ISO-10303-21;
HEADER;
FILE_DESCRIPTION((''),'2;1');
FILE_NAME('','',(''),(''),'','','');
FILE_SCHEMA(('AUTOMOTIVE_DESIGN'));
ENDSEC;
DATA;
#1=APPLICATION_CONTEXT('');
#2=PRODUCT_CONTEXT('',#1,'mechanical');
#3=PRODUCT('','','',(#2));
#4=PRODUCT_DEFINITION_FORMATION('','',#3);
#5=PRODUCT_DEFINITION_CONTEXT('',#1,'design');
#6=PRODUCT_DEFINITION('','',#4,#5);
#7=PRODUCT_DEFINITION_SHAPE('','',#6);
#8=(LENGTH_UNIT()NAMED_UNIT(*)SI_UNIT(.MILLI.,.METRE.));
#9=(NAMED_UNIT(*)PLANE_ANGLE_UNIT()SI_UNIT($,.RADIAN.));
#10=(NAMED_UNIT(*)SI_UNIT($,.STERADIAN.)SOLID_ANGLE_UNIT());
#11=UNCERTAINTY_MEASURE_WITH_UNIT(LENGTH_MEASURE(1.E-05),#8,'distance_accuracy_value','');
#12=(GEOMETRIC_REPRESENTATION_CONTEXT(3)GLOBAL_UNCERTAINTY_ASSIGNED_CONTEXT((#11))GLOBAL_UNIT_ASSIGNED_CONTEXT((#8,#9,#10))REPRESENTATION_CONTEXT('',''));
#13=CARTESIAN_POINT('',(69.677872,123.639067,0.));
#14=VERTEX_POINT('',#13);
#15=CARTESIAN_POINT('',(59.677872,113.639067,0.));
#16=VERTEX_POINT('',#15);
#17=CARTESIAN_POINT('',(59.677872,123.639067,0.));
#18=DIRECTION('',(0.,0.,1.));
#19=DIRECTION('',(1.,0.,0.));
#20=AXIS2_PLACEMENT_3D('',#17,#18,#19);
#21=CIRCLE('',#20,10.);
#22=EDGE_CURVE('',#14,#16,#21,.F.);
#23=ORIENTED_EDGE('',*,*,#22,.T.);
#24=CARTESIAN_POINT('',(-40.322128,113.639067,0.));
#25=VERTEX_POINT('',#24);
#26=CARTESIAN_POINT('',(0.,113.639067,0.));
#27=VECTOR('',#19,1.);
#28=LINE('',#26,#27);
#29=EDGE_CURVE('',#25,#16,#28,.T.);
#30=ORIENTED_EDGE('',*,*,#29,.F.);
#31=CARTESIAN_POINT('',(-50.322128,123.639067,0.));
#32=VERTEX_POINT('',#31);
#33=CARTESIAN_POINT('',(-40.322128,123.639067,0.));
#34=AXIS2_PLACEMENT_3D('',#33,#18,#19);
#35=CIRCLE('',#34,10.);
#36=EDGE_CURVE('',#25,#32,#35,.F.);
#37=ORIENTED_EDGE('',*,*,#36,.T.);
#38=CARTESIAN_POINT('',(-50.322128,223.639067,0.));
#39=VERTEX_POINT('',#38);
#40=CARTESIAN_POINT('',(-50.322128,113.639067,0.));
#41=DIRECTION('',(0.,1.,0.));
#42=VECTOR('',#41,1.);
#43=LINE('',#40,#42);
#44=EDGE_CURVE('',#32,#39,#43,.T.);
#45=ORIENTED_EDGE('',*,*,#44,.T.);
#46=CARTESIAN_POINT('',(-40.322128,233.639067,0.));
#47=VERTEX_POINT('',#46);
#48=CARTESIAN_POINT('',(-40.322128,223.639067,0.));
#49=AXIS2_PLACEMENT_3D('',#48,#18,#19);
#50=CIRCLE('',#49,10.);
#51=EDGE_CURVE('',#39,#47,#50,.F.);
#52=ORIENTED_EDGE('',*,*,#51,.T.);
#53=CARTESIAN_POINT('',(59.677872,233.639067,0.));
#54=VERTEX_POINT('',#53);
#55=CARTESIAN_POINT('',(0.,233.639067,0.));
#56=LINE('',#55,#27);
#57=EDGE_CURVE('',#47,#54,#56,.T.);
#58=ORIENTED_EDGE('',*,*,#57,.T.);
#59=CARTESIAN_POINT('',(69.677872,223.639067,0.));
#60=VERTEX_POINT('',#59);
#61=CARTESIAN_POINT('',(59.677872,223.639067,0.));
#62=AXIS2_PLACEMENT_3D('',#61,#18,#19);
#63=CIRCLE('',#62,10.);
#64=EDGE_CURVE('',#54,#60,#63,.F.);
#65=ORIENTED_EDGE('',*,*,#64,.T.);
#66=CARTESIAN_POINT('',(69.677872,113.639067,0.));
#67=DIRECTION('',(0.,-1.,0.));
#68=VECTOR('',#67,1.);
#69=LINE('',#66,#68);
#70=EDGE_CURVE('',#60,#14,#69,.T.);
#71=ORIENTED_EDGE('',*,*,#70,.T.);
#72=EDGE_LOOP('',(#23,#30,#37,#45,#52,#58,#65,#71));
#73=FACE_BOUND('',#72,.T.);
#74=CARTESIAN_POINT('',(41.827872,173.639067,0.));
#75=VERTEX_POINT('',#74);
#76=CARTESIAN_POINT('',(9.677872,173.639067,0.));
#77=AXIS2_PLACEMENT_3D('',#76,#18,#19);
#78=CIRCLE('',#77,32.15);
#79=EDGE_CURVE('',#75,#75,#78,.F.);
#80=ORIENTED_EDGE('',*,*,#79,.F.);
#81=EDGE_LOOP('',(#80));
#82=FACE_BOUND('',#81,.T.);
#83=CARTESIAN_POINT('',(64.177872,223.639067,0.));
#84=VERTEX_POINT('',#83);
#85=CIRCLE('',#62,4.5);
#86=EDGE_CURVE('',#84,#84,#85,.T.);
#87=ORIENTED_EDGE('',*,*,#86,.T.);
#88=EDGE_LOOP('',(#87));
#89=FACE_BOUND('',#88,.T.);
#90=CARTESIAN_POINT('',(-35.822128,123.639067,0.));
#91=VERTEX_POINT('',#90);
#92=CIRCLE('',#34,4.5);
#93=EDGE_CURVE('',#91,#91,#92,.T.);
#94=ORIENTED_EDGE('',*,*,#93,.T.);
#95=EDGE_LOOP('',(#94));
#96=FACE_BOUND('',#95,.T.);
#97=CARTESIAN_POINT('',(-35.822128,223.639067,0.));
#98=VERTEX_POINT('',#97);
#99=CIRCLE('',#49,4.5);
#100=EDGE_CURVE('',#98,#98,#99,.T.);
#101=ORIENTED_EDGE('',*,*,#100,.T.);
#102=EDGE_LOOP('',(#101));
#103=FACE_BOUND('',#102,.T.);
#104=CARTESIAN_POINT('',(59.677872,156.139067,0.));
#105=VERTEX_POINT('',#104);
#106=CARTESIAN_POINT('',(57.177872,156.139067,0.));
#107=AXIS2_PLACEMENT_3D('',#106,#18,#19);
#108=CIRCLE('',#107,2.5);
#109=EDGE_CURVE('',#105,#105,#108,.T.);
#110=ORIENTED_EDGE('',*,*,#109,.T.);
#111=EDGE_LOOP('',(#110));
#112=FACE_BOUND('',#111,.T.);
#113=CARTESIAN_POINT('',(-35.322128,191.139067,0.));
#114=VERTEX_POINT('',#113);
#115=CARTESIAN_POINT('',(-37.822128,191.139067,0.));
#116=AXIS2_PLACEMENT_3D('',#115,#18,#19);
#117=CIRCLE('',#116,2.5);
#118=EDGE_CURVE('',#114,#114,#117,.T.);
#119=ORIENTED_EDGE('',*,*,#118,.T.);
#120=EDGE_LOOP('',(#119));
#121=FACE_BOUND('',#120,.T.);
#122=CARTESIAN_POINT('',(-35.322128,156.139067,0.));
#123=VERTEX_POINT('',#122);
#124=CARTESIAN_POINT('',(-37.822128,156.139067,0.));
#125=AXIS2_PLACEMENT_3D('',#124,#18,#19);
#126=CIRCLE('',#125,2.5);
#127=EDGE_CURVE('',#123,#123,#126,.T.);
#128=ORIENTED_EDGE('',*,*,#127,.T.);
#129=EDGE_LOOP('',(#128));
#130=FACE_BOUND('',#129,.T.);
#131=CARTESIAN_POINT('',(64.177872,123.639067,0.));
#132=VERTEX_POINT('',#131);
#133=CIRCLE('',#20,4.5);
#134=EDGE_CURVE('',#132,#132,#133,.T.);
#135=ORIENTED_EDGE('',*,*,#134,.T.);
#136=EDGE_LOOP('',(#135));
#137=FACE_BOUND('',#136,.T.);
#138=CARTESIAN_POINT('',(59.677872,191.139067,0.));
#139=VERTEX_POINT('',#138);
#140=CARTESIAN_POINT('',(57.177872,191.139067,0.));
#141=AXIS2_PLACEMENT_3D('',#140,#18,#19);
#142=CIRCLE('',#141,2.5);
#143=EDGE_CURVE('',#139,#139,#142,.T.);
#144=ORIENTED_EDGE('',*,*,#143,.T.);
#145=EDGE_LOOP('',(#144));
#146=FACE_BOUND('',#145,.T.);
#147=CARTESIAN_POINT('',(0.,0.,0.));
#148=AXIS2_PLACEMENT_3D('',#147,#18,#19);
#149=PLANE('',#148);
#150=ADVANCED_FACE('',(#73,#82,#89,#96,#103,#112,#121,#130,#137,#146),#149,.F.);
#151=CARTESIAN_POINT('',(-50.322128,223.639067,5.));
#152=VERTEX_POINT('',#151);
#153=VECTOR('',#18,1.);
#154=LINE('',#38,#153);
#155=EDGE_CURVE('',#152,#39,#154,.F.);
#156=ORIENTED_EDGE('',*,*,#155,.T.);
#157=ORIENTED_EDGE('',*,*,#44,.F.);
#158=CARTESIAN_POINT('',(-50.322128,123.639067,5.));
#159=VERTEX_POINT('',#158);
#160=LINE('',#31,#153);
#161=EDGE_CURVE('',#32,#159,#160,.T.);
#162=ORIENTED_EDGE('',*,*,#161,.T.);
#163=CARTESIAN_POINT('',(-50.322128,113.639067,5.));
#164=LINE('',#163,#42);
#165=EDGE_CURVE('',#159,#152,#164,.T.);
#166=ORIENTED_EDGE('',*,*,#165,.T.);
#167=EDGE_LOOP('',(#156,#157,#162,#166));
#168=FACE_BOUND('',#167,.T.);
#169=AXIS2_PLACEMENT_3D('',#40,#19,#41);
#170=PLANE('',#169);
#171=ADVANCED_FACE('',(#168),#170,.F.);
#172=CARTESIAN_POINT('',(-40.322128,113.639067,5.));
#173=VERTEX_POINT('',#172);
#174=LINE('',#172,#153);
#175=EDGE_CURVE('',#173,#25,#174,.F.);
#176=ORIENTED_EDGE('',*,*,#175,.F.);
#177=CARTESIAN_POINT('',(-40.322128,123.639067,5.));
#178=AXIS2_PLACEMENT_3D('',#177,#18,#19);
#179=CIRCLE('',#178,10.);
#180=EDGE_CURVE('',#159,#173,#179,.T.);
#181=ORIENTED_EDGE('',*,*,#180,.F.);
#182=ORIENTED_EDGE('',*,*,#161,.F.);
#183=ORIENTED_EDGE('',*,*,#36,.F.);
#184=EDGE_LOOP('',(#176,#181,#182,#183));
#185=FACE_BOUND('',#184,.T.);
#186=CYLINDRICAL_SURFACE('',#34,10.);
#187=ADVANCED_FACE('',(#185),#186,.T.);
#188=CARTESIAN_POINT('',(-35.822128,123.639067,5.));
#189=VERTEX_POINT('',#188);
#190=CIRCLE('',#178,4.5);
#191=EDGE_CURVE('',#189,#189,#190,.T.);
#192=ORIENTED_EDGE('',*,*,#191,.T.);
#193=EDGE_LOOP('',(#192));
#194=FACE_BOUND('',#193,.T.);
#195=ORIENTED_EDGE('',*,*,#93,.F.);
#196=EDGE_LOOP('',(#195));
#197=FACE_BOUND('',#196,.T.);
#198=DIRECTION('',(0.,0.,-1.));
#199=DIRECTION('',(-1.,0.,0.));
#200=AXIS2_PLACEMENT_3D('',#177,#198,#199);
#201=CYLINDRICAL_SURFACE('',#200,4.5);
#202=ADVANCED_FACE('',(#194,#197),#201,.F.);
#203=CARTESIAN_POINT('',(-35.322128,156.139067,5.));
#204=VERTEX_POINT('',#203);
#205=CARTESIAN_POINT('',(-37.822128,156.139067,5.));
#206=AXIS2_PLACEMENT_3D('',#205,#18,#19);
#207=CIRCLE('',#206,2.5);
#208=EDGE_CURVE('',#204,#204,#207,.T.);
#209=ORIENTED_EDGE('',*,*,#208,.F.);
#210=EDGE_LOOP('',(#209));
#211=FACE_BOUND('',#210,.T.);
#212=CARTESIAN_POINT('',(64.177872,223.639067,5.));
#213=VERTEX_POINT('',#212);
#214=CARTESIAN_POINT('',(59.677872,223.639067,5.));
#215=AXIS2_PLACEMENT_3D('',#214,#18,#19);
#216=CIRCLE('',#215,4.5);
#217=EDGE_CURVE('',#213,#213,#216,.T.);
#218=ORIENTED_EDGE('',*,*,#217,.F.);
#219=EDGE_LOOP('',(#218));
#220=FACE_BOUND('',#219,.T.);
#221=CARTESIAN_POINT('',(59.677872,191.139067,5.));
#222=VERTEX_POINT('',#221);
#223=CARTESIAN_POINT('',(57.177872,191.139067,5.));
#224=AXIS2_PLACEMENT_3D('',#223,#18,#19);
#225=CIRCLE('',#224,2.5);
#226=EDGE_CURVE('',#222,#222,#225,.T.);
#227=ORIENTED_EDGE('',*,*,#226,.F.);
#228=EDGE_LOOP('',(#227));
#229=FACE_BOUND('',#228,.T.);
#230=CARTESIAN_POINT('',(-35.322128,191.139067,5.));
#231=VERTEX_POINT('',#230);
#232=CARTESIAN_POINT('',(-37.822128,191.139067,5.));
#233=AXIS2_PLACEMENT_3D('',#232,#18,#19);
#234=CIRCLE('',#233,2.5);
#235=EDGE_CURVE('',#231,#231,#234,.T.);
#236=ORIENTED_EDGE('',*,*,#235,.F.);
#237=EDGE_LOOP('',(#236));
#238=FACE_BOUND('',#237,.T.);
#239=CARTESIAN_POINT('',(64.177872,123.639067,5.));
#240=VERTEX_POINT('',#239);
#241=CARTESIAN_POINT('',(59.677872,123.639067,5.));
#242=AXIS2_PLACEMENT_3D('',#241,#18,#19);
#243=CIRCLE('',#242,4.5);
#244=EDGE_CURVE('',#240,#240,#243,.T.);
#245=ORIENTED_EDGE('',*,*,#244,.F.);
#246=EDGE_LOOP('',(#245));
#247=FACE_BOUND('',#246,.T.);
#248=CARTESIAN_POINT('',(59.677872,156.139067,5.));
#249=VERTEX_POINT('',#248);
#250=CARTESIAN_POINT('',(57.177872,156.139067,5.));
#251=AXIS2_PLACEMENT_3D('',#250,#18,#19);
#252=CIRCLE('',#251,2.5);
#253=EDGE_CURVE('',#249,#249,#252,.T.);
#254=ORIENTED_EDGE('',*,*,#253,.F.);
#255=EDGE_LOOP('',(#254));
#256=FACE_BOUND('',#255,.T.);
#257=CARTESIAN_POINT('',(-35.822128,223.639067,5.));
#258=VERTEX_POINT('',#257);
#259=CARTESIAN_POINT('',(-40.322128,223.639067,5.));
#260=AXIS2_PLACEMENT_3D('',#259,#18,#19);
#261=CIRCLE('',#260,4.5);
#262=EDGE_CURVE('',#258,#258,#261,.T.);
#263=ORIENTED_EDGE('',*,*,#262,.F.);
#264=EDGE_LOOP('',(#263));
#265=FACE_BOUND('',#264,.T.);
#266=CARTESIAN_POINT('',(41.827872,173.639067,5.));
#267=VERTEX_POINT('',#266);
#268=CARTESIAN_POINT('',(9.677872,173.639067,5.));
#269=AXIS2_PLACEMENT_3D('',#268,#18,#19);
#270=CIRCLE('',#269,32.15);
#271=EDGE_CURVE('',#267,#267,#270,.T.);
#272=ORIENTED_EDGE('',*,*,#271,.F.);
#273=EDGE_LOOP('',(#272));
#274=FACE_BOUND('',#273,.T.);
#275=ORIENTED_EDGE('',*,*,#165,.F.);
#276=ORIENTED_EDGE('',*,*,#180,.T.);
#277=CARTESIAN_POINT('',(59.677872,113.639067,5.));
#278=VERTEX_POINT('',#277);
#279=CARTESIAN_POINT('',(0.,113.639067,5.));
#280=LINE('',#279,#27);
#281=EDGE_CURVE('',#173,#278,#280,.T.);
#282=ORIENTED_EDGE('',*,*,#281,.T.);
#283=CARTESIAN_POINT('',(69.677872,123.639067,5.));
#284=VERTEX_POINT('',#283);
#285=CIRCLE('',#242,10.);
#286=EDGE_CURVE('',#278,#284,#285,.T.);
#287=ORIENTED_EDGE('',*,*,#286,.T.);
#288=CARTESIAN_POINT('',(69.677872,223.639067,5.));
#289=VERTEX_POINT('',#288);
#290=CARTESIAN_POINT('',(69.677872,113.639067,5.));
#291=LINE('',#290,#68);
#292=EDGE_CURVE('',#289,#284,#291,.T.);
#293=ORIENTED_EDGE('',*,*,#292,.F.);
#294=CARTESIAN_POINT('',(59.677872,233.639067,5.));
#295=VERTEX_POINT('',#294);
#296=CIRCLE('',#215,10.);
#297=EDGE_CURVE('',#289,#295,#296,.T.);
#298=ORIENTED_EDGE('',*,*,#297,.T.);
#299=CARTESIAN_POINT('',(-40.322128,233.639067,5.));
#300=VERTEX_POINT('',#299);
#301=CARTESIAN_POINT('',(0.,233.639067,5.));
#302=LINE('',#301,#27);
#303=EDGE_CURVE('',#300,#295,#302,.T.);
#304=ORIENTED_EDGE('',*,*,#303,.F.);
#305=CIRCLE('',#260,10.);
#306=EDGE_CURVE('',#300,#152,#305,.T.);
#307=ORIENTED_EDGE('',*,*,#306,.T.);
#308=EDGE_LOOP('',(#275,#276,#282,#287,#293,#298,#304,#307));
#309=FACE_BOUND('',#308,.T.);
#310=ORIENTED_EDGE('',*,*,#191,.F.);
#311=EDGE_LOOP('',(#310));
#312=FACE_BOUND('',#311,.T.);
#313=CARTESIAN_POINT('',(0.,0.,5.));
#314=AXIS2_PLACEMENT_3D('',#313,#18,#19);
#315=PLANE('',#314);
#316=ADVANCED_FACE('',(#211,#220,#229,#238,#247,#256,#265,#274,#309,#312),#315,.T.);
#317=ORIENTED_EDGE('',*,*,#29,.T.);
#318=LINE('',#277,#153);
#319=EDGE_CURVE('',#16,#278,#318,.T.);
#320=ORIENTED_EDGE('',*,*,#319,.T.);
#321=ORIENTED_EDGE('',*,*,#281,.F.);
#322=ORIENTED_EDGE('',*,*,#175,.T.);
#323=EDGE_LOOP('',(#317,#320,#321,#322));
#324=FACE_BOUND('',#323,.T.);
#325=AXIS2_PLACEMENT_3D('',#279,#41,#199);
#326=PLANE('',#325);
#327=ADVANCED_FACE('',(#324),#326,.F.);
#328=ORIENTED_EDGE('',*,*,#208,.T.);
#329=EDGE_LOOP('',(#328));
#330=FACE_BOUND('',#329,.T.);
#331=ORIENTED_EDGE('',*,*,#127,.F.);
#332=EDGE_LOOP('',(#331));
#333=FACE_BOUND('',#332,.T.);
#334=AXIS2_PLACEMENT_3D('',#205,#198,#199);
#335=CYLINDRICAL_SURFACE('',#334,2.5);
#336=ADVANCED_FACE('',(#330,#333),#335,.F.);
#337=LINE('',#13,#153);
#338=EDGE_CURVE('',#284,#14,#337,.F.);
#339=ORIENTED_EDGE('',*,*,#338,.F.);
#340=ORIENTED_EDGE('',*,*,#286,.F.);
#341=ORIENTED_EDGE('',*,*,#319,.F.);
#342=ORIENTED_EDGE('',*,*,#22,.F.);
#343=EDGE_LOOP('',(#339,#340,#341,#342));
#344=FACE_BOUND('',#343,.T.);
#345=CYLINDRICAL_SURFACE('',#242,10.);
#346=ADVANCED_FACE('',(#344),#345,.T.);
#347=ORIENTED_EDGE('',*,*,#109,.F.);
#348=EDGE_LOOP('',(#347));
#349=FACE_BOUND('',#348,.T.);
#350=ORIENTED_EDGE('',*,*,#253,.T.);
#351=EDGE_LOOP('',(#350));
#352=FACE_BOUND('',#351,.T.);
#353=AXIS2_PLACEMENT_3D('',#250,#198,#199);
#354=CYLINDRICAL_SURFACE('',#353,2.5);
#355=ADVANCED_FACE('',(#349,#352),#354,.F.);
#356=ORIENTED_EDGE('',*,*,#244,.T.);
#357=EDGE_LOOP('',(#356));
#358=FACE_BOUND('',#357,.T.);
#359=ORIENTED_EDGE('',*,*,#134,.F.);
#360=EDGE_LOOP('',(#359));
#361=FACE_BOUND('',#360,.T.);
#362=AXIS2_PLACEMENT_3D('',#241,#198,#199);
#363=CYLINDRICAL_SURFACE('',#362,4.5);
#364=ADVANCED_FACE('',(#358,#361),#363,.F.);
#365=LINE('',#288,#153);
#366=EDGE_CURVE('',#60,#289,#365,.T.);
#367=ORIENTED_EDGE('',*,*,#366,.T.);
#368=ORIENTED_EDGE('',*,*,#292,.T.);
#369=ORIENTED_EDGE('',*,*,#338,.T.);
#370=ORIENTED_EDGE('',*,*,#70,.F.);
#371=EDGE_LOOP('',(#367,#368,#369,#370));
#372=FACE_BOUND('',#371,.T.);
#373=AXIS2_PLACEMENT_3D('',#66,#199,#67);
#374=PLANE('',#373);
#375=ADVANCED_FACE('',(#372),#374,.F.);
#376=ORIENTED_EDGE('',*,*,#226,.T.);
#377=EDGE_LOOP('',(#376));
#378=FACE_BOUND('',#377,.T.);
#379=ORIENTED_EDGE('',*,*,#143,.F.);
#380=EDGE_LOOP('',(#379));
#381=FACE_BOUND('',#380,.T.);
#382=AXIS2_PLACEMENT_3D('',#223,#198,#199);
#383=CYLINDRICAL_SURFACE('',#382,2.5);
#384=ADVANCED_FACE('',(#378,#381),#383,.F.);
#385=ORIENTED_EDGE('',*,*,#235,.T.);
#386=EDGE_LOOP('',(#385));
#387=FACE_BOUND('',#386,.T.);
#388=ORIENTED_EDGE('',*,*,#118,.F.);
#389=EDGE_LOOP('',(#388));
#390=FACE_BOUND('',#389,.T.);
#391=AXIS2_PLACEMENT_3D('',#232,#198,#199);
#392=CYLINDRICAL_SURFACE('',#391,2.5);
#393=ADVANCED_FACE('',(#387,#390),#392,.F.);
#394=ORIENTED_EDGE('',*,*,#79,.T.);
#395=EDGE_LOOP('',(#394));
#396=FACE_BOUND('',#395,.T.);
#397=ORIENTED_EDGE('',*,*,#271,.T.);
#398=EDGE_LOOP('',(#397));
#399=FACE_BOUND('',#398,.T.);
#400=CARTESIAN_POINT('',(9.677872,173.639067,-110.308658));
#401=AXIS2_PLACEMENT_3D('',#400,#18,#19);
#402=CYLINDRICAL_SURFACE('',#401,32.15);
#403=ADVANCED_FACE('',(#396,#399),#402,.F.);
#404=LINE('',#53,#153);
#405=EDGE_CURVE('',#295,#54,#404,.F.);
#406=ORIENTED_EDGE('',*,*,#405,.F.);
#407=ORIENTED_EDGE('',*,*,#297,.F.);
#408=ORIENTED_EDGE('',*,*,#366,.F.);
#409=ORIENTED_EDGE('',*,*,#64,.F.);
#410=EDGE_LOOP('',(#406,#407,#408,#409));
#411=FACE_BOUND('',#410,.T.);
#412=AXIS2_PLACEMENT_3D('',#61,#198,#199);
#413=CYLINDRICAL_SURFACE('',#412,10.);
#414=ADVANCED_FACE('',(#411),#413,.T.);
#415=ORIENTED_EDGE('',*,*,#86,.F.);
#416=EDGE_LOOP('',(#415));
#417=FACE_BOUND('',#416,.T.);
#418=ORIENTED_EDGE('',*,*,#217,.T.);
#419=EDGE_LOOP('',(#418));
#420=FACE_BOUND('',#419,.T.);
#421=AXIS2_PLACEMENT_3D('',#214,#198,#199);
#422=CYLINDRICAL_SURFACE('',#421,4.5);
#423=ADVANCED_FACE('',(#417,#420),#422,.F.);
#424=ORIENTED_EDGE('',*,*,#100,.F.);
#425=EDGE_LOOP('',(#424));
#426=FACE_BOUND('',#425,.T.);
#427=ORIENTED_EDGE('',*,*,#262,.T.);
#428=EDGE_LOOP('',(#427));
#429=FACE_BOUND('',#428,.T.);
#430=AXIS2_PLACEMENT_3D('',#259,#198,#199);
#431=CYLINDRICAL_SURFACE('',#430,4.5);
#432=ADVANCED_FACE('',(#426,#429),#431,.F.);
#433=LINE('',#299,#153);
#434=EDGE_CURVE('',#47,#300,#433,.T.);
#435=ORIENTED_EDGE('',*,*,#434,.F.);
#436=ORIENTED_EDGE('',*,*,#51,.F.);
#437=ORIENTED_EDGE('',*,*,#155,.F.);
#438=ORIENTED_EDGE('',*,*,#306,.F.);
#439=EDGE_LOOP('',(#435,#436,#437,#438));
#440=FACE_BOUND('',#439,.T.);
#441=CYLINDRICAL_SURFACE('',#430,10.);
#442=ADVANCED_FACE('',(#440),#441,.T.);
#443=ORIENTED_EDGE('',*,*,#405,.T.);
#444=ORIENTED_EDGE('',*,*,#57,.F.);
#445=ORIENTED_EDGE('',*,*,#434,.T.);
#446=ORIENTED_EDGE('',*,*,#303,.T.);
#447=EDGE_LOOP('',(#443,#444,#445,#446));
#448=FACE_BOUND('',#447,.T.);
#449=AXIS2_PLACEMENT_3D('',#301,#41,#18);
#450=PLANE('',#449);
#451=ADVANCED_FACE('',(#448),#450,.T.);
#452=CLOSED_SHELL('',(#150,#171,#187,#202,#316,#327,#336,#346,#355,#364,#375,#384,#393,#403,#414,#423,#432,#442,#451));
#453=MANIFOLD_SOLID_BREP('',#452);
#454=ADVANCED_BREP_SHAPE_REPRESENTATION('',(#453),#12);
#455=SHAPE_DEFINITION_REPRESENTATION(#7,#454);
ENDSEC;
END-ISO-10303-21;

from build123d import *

# Parameters (mm, degrees)
SKETCH2_R           = 4.5
SKETCH2_R_2         = 2.5
SKETCH2_R_3         = 39
BOSS_EXTRUDE1_DEPTH = 5
BOSS_EXTRUDE2_START = -5
SKETCH3_R           = 39
SKETCH3_R_2         = 32.15
BOSS_EXTRUDE2_DEPTH = 5
SKETCH4_W           = 10
SKETCH4_H           = 120
CUT_EXTRUDE1_DEPTH  = 247.902363645
FILLET1_R           = 10


with BuildPart() as part:
    # Sketch2 → Boss-Extrude1 (new body)
    with BuildSketch(Plane.XY):
        Polygon((79.677872198, 233.639067486), (-60.322127802, 233.639067486), (-60.322127802, 223.639067486), (-60.322127802, 113.639067486), (79.677872198, 113.639067486), align=None)
        with Locations((-40.322127802, 123.639067486)):
            Circle(SKETCH2_R, mode=Mode.SUBTRACT)
        with Locations((-37.822127802, 156.139067486)):
            Circle(SKETCH2_R_2, mode=Mode.SUBTRACT)
        with Locations((59.677872198, 123.639067486)):
            Circle(SKETCH2_R, mode=Mode.SUBTRACT)
        with Locations((57.177872198, 156.139067486)):
            Circle(SKETCH2_R_2, mode=Mode.SUBTRACT)
        with Locations((-37.822127802, 191.139067486)):
            Circle(SKETCH2_R_2, mode=Mode.SUBTRACT)
        with Locations((9.677872198, 173.639067486)):
            Circle(SKETCH2_R_3, mode=Mode.SUBTRACT)
        with Locations((-40.322127802, 223.639067486)):
            Circle(SKETCH2_R, mode=Mode.SUBTRACT)
        with Locations((57.177872198, 191.139067486)):
            Circle(SKETCH2_R_2, mode=Mode.SUBTRACT)
        with Locations((59.677872198, 223.639067486)):
            Circle(SKETCH2_R, mode=Mode.SUBTRACT)
    extrude(amount=BOSS_EXTRUDE1_DEPTH)

    # Sketch3 → Boss-Extrude2 (add)
    with BuildSketch(Plane.XY.offset(5).offset(BOSS_EXTRUDE2_START)):
        with Locations((9.677872198, 173.639067486)):
            Circle(SKETCH3_R)
        with Locations((9.677872198, 173.639067486)):
            Circle(SKETCH3_R_2, mode=Mode.SUBTRACT)
    extrude(amount=BOSS_EXTRUDE2_DEPTH)

    # Sketch4 → Cut-Extrude1 (cut, through all)
    with BuildSketch(Plane.XY.offset(5)):
        with Locations((74.677872198, 173.639067486)):
            Rectangle(SKETCH4_W, SKETCH4_H)
        with Locations((-55.322127802, 173.639067486)):
            Rectangle(SKETCH4_W, SKETCH4_H)
    extrude(amount=-CUT_EXTRUDE1_DEPTH, mode=Mode.SUBTRACT)

    # Fillet1
    fillet1_edges = [part.edges().sort_by_distance(p)[0] for p in [
        (-50.322127802, 233.639067486, 2.5),
        (-50.322127802, 113.639067486, 2.5),
        (69.677872198, 113.639067486, 2.5),
        (69.677872198, 233.639067486, 2.5),
    ]]
    fillet(fillet1_edges, radius=FILLET1_R)


solid = part.part
